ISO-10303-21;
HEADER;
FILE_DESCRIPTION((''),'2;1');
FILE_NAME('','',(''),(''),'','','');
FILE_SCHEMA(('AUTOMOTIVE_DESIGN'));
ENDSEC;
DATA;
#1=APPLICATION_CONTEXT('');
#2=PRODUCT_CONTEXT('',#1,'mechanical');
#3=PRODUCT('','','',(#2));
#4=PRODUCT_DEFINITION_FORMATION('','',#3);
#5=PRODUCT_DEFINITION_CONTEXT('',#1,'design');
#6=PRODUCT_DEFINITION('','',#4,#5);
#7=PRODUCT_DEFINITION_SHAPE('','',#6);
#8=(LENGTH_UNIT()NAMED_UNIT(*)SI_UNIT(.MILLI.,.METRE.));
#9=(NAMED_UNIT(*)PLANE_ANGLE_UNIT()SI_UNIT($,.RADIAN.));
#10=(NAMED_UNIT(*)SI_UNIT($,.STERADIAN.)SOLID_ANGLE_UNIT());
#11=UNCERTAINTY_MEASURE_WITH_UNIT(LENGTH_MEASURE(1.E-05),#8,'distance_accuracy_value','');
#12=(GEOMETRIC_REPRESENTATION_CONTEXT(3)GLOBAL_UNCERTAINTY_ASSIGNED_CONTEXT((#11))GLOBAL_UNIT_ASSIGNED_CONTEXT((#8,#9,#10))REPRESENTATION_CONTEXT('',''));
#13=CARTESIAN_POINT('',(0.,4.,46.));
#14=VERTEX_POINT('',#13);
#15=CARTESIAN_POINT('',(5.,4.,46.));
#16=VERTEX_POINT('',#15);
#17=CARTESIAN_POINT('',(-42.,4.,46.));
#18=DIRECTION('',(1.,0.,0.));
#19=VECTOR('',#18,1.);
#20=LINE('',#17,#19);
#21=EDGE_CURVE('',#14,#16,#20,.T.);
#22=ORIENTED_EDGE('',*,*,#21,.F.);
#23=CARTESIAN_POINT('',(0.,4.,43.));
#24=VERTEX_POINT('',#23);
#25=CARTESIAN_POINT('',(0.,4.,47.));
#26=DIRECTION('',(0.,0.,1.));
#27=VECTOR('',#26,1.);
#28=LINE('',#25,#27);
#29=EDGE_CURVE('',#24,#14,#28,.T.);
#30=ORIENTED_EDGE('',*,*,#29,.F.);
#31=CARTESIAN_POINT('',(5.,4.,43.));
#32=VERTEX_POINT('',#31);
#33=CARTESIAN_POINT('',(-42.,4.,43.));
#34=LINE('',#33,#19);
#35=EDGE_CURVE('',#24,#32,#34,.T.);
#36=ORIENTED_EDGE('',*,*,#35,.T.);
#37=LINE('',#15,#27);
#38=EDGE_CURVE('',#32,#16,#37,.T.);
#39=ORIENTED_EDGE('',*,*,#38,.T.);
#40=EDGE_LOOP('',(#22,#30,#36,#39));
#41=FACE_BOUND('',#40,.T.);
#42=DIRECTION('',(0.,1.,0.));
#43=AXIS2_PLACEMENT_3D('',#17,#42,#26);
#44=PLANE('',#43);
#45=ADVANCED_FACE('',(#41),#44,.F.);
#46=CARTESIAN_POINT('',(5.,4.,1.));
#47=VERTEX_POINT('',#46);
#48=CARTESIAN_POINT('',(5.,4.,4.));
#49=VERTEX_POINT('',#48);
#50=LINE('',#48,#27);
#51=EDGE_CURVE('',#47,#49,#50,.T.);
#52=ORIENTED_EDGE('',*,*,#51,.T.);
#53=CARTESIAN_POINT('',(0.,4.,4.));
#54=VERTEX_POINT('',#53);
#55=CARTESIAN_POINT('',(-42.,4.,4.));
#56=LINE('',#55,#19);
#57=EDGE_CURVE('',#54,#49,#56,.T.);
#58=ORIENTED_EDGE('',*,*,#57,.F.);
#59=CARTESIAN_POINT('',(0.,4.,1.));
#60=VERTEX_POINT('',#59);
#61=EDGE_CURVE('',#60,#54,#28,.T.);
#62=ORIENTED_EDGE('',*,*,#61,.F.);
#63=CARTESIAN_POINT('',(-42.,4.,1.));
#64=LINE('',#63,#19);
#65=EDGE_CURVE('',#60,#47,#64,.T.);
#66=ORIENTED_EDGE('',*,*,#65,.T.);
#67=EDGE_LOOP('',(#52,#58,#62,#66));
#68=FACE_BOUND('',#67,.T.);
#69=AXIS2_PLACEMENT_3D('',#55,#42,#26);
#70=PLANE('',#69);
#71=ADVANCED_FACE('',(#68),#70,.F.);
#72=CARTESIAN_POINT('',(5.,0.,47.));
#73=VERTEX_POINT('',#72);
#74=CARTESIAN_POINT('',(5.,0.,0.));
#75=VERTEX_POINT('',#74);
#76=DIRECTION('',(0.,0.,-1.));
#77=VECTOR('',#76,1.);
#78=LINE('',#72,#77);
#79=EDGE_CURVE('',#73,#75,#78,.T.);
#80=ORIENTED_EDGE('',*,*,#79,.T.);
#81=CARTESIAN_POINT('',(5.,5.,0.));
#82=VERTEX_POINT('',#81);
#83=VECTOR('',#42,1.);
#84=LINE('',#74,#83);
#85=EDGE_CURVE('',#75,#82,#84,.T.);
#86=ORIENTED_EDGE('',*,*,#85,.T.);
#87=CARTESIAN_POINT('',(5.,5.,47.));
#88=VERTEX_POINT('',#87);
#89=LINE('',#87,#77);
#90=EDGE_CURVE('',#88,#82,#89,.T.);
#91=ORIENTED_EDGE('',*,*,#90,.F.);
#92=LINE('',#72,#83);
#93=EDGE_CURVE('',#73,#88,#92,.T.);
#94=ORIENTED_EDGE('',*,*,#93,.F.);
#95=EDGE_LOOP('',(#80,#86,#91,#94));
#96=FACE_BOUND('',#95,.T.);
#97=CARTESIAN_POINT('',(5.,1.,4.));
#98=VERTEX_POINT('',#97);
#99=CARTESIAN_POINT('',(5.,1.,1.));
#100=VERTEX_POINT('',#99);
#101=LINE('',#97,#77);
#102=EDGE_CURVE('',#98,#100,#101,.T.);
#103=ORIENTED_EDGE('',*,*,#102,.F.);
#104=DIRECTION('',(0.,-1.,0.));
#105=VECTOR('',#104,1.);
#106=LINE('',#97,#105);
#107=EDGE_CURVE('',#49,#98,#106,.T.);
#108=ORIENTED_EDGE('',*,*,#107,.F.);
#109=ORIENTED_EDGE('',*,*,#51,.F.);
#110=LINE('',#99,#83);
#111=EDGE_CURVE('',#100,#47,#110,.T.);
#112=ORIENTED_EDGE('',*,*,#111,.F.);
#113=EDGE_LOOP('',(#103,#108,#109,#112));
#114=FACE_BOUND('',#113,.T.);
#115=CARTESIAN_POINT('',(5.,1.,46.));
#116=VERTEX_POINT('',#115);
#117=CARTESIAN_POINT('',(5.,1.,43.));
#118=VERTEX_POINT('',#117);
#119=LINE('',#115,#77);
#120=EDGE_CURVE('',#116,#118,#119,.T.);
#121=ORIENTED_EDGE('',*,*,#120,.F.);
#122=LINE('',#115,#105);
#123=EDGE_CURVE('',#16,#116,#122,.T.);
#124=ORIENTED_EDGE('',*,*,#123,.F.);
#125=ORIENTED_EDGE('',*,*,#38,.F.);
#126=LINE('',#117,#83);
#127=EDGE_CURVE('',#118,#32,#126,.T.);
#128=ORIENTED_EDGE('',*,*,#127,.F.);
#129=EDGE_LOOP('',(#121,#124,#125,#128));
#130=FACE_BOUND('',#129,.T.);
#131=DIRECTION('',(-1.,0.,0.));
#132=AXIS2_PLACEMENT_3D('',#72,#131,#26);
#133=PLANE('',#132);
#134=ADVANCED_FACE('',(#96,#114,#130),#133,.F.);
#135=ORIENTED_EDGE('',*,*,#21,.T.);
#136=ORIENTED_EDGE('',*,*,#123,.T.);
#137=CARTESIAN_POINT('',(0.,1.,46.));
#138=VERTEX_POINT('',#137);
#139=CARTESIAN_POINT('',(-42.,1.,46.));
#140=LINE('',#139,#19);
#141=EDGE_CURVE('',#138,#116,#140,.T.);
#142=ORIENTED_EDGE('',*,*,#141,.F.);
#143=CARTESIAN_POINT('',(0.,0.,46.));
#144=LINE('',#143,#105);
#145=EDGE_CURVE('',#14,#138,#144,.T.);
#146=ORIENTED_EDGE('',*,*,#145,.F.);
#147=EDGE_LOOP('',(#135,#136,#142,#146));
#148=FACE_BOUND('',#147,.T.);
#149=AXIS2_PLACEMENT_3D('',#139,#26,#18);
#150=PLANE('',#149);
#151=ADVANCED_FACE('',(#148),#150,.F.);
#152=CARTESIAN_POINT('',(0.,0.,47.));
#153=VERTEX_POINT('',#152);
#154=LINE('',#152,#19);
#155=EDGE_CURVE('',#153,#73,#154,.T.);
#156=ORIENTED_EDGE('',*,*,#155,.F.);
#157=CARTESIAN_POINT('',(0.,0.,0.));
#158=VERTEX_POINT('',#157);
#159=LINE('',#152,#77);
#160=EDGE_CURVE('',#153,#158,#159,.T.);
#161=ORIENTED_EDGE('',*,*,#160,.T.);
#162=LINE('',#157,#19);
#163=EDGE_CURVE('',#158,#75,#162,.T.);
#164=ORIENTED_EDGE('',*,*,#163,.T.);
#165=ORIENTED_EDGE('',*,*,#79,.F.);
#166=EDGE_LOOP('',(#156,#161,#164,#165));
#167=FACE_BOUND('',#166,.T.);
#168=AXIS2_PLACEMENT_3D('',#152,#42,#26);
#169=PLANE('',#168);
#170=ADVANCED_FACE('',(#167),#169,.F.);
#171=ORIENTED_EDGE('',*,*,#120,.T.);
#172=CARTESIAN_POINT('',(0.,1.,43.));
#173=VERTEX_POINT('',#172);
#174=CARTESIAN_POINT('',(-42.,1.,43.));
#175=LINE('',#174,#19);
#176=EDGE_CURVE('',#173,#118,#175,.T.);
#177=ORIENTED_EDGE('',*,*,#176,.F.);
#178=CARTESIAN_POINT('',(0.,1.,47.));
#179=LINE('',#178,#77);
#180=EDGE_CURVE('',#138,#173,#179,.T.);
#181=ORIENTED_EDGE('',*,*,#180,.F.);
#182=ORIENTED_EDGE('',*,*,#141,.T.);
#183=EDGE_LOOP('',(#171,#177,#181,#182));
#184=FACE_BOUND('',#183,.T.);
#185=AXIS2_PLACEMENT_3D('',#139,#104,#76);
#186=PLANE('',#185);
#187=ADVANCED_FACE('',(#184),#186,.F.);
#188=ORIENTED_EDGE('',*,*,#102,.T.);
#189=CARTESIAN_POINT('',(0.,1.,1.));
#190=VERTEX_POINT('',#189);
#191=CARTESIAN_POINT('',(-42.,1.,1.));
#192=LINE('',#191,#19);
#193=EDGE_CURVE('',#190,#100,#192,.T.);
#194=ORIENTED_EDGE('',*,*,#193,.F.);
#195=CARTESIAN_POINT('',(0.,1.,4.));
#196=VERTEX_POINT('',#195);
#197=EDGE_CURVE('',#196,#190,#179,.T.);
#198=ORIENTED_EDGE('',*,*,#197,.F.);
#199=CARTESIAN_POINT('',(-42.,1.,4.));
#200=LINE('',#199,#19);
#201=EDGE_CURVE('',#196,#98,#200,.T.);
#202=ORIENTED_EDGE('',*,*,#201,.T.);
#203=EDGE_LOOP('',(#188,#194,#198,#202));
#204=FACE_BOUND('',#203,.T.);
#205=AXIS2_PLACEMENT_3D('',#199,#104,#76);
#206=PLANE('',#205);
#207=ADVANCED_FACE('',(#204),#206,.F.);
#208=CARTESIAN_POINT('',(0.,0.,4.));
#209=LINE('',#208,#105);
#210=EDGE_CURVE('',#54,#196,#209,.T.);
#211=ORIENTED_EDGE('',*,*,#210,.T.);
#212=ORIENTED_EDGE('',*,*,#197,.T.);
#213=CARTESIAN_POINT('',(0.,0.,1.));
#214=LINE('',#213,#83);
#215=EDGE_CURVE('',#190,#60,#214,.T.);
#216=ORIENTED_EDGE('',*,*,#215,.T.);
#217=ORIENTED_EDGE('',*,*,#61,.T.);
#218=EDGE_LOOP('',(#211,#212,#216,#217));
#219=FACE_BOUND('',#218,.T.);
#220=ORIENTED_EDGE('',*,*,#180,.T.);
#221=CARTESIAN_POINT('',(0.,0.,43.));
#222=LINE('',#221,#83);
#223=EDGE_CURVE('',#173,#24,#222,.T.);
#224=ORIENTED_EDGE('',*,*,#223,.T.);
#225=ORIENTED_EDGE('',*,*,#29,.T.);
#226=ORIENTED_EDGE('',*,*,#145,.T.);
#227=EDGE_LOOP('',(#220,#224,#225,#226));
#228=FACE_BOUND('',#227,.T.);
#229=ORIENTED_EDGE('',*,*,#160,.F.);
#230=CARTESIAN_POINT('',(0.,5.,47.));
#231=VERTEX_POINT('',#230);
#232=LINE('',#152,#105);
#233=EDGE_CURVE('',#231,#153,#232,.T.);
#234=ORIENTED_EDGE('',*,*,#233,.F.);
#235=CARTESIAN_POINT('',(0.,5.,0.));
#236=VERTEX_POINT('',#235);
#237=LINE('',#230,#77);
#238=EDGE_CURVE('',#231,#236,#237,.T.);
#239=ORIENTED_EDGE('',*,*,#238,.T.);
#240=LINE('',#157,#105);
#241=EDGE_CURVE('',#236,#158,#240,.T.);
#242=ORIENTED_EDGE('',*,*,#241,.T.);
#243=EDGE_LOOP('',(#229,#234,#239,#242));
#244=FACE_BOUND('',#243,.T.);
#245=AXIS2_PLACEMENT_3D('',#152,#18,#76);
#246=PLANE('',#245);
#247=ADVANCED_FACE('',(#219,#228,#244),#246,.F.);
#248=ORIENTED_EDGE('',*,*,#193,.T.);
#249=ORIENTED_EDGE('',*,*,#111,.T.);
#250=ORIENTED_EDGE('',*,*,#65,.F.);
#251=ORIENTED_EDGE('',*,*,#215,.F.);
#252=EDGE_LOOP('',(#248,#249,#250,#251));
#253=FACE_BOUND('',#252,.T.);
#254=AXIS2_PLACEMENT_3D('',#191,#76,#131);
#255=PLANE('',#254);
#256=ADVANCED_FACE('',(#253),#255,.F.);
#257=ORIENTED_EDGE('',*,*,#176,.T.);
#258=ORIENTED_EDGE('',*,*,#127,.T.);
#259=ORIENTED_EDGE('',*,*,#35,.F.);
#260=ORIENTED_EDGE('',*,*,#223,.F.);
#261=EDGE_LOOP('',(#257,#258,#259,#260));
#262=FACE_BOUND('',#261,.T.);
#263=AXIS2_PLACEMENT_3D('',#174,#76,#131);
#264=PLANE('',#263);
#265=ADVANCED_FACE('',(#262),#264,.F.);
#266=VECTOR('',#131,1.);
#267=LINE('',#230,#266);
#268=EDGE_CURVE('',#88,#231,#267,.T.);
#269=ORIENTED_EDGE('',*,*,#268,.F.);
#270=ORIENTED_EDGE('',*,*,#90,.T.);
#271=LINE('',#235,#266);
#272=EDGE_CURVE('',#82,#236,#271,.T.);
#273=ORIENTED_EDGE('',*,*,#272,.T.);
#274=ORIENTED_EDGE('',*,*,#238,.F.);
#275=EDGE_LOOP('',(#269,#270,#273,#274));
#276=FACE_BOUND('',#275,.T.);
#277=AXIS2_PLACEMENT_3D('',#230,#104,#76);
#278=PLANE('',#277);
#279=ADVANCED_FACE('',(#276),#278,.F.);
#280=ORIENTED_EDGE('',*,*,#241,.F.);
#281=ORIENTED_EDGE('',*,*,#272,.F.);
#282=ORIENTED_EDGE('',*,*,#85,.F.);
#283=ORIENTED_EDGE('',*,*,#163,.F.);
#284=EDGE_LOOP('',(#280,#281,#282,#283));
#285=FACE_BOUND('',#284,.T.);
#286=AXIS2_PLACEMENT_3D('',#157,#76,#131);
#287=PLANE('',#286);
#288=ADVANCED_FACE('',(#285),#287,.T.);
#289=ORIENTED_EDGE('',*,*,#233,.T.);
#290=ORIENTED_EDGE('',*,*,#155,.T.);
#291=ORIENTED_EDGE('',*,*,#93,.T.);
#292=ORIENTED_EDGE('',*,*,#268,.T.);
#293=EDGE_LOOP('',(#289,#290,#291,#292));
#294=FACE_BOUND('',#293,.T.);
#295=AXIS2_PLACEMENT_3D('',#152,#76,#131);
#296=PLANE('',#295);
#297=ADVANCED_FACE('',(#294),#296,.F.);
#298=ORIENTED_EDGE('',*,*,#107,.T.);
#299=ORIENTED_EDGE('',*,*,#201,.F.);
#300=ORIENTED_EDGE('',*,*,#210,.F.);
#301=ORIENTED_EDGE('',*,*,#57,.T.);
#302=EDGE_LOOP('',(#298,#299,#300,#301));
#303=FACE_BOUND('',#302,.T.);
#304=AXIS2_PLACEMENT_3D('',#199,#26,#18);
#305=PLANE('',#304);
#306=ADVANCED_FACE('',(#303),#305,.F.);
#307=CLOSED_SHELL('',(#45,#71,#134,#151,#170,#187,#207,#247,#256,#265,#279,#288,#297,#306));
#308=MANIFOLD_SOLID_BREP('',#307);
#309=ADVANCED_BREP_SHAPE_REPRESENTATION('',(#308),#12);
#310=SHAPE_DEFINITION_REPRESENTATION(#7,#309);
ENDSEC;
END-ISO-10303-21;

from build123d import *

# Parameters (mm, degrees)
SKETCH1_W           = 5
SKETCH1_H           = 5
BOSS_EXTRUDE1_DEPTH = 47
SKETCH2_W           = 3
SKETCH2_H           = 3
CUT_EXTRUDE1_DEPTH  = 47


with BuildPart() as part:
    # Sketch1 → Boss-Extrude1 (new body)
    with BuildSketch(Plane.XY):
        with Locations((2.5, 2.5)):
            Rectangle(SKETCH1_W, SKETCH1_H)
    extrude(amount=BOSS_EXTRUDE1_DEPTH)

    # Sketch2 → Cut-Extrude1 (cut)
    with BuildSketch(Plane(origin=(5, 0, 0), x_dir=(0, 0, -1), z_dir=(1, 0, 0))):
        with Locations((-44.5, 2.5)):
            Rectangle(SKETCH2_W, SKETCH2_H)
        with Locations((-2.5, 2.5)):
            Rectangle(SKETCH2_W, SKETCH2_H)
    extrude(amount=-CUT_EXTRUDE1_DEPTH, mode=Mode.SUBTRACT)


solid = part.part
